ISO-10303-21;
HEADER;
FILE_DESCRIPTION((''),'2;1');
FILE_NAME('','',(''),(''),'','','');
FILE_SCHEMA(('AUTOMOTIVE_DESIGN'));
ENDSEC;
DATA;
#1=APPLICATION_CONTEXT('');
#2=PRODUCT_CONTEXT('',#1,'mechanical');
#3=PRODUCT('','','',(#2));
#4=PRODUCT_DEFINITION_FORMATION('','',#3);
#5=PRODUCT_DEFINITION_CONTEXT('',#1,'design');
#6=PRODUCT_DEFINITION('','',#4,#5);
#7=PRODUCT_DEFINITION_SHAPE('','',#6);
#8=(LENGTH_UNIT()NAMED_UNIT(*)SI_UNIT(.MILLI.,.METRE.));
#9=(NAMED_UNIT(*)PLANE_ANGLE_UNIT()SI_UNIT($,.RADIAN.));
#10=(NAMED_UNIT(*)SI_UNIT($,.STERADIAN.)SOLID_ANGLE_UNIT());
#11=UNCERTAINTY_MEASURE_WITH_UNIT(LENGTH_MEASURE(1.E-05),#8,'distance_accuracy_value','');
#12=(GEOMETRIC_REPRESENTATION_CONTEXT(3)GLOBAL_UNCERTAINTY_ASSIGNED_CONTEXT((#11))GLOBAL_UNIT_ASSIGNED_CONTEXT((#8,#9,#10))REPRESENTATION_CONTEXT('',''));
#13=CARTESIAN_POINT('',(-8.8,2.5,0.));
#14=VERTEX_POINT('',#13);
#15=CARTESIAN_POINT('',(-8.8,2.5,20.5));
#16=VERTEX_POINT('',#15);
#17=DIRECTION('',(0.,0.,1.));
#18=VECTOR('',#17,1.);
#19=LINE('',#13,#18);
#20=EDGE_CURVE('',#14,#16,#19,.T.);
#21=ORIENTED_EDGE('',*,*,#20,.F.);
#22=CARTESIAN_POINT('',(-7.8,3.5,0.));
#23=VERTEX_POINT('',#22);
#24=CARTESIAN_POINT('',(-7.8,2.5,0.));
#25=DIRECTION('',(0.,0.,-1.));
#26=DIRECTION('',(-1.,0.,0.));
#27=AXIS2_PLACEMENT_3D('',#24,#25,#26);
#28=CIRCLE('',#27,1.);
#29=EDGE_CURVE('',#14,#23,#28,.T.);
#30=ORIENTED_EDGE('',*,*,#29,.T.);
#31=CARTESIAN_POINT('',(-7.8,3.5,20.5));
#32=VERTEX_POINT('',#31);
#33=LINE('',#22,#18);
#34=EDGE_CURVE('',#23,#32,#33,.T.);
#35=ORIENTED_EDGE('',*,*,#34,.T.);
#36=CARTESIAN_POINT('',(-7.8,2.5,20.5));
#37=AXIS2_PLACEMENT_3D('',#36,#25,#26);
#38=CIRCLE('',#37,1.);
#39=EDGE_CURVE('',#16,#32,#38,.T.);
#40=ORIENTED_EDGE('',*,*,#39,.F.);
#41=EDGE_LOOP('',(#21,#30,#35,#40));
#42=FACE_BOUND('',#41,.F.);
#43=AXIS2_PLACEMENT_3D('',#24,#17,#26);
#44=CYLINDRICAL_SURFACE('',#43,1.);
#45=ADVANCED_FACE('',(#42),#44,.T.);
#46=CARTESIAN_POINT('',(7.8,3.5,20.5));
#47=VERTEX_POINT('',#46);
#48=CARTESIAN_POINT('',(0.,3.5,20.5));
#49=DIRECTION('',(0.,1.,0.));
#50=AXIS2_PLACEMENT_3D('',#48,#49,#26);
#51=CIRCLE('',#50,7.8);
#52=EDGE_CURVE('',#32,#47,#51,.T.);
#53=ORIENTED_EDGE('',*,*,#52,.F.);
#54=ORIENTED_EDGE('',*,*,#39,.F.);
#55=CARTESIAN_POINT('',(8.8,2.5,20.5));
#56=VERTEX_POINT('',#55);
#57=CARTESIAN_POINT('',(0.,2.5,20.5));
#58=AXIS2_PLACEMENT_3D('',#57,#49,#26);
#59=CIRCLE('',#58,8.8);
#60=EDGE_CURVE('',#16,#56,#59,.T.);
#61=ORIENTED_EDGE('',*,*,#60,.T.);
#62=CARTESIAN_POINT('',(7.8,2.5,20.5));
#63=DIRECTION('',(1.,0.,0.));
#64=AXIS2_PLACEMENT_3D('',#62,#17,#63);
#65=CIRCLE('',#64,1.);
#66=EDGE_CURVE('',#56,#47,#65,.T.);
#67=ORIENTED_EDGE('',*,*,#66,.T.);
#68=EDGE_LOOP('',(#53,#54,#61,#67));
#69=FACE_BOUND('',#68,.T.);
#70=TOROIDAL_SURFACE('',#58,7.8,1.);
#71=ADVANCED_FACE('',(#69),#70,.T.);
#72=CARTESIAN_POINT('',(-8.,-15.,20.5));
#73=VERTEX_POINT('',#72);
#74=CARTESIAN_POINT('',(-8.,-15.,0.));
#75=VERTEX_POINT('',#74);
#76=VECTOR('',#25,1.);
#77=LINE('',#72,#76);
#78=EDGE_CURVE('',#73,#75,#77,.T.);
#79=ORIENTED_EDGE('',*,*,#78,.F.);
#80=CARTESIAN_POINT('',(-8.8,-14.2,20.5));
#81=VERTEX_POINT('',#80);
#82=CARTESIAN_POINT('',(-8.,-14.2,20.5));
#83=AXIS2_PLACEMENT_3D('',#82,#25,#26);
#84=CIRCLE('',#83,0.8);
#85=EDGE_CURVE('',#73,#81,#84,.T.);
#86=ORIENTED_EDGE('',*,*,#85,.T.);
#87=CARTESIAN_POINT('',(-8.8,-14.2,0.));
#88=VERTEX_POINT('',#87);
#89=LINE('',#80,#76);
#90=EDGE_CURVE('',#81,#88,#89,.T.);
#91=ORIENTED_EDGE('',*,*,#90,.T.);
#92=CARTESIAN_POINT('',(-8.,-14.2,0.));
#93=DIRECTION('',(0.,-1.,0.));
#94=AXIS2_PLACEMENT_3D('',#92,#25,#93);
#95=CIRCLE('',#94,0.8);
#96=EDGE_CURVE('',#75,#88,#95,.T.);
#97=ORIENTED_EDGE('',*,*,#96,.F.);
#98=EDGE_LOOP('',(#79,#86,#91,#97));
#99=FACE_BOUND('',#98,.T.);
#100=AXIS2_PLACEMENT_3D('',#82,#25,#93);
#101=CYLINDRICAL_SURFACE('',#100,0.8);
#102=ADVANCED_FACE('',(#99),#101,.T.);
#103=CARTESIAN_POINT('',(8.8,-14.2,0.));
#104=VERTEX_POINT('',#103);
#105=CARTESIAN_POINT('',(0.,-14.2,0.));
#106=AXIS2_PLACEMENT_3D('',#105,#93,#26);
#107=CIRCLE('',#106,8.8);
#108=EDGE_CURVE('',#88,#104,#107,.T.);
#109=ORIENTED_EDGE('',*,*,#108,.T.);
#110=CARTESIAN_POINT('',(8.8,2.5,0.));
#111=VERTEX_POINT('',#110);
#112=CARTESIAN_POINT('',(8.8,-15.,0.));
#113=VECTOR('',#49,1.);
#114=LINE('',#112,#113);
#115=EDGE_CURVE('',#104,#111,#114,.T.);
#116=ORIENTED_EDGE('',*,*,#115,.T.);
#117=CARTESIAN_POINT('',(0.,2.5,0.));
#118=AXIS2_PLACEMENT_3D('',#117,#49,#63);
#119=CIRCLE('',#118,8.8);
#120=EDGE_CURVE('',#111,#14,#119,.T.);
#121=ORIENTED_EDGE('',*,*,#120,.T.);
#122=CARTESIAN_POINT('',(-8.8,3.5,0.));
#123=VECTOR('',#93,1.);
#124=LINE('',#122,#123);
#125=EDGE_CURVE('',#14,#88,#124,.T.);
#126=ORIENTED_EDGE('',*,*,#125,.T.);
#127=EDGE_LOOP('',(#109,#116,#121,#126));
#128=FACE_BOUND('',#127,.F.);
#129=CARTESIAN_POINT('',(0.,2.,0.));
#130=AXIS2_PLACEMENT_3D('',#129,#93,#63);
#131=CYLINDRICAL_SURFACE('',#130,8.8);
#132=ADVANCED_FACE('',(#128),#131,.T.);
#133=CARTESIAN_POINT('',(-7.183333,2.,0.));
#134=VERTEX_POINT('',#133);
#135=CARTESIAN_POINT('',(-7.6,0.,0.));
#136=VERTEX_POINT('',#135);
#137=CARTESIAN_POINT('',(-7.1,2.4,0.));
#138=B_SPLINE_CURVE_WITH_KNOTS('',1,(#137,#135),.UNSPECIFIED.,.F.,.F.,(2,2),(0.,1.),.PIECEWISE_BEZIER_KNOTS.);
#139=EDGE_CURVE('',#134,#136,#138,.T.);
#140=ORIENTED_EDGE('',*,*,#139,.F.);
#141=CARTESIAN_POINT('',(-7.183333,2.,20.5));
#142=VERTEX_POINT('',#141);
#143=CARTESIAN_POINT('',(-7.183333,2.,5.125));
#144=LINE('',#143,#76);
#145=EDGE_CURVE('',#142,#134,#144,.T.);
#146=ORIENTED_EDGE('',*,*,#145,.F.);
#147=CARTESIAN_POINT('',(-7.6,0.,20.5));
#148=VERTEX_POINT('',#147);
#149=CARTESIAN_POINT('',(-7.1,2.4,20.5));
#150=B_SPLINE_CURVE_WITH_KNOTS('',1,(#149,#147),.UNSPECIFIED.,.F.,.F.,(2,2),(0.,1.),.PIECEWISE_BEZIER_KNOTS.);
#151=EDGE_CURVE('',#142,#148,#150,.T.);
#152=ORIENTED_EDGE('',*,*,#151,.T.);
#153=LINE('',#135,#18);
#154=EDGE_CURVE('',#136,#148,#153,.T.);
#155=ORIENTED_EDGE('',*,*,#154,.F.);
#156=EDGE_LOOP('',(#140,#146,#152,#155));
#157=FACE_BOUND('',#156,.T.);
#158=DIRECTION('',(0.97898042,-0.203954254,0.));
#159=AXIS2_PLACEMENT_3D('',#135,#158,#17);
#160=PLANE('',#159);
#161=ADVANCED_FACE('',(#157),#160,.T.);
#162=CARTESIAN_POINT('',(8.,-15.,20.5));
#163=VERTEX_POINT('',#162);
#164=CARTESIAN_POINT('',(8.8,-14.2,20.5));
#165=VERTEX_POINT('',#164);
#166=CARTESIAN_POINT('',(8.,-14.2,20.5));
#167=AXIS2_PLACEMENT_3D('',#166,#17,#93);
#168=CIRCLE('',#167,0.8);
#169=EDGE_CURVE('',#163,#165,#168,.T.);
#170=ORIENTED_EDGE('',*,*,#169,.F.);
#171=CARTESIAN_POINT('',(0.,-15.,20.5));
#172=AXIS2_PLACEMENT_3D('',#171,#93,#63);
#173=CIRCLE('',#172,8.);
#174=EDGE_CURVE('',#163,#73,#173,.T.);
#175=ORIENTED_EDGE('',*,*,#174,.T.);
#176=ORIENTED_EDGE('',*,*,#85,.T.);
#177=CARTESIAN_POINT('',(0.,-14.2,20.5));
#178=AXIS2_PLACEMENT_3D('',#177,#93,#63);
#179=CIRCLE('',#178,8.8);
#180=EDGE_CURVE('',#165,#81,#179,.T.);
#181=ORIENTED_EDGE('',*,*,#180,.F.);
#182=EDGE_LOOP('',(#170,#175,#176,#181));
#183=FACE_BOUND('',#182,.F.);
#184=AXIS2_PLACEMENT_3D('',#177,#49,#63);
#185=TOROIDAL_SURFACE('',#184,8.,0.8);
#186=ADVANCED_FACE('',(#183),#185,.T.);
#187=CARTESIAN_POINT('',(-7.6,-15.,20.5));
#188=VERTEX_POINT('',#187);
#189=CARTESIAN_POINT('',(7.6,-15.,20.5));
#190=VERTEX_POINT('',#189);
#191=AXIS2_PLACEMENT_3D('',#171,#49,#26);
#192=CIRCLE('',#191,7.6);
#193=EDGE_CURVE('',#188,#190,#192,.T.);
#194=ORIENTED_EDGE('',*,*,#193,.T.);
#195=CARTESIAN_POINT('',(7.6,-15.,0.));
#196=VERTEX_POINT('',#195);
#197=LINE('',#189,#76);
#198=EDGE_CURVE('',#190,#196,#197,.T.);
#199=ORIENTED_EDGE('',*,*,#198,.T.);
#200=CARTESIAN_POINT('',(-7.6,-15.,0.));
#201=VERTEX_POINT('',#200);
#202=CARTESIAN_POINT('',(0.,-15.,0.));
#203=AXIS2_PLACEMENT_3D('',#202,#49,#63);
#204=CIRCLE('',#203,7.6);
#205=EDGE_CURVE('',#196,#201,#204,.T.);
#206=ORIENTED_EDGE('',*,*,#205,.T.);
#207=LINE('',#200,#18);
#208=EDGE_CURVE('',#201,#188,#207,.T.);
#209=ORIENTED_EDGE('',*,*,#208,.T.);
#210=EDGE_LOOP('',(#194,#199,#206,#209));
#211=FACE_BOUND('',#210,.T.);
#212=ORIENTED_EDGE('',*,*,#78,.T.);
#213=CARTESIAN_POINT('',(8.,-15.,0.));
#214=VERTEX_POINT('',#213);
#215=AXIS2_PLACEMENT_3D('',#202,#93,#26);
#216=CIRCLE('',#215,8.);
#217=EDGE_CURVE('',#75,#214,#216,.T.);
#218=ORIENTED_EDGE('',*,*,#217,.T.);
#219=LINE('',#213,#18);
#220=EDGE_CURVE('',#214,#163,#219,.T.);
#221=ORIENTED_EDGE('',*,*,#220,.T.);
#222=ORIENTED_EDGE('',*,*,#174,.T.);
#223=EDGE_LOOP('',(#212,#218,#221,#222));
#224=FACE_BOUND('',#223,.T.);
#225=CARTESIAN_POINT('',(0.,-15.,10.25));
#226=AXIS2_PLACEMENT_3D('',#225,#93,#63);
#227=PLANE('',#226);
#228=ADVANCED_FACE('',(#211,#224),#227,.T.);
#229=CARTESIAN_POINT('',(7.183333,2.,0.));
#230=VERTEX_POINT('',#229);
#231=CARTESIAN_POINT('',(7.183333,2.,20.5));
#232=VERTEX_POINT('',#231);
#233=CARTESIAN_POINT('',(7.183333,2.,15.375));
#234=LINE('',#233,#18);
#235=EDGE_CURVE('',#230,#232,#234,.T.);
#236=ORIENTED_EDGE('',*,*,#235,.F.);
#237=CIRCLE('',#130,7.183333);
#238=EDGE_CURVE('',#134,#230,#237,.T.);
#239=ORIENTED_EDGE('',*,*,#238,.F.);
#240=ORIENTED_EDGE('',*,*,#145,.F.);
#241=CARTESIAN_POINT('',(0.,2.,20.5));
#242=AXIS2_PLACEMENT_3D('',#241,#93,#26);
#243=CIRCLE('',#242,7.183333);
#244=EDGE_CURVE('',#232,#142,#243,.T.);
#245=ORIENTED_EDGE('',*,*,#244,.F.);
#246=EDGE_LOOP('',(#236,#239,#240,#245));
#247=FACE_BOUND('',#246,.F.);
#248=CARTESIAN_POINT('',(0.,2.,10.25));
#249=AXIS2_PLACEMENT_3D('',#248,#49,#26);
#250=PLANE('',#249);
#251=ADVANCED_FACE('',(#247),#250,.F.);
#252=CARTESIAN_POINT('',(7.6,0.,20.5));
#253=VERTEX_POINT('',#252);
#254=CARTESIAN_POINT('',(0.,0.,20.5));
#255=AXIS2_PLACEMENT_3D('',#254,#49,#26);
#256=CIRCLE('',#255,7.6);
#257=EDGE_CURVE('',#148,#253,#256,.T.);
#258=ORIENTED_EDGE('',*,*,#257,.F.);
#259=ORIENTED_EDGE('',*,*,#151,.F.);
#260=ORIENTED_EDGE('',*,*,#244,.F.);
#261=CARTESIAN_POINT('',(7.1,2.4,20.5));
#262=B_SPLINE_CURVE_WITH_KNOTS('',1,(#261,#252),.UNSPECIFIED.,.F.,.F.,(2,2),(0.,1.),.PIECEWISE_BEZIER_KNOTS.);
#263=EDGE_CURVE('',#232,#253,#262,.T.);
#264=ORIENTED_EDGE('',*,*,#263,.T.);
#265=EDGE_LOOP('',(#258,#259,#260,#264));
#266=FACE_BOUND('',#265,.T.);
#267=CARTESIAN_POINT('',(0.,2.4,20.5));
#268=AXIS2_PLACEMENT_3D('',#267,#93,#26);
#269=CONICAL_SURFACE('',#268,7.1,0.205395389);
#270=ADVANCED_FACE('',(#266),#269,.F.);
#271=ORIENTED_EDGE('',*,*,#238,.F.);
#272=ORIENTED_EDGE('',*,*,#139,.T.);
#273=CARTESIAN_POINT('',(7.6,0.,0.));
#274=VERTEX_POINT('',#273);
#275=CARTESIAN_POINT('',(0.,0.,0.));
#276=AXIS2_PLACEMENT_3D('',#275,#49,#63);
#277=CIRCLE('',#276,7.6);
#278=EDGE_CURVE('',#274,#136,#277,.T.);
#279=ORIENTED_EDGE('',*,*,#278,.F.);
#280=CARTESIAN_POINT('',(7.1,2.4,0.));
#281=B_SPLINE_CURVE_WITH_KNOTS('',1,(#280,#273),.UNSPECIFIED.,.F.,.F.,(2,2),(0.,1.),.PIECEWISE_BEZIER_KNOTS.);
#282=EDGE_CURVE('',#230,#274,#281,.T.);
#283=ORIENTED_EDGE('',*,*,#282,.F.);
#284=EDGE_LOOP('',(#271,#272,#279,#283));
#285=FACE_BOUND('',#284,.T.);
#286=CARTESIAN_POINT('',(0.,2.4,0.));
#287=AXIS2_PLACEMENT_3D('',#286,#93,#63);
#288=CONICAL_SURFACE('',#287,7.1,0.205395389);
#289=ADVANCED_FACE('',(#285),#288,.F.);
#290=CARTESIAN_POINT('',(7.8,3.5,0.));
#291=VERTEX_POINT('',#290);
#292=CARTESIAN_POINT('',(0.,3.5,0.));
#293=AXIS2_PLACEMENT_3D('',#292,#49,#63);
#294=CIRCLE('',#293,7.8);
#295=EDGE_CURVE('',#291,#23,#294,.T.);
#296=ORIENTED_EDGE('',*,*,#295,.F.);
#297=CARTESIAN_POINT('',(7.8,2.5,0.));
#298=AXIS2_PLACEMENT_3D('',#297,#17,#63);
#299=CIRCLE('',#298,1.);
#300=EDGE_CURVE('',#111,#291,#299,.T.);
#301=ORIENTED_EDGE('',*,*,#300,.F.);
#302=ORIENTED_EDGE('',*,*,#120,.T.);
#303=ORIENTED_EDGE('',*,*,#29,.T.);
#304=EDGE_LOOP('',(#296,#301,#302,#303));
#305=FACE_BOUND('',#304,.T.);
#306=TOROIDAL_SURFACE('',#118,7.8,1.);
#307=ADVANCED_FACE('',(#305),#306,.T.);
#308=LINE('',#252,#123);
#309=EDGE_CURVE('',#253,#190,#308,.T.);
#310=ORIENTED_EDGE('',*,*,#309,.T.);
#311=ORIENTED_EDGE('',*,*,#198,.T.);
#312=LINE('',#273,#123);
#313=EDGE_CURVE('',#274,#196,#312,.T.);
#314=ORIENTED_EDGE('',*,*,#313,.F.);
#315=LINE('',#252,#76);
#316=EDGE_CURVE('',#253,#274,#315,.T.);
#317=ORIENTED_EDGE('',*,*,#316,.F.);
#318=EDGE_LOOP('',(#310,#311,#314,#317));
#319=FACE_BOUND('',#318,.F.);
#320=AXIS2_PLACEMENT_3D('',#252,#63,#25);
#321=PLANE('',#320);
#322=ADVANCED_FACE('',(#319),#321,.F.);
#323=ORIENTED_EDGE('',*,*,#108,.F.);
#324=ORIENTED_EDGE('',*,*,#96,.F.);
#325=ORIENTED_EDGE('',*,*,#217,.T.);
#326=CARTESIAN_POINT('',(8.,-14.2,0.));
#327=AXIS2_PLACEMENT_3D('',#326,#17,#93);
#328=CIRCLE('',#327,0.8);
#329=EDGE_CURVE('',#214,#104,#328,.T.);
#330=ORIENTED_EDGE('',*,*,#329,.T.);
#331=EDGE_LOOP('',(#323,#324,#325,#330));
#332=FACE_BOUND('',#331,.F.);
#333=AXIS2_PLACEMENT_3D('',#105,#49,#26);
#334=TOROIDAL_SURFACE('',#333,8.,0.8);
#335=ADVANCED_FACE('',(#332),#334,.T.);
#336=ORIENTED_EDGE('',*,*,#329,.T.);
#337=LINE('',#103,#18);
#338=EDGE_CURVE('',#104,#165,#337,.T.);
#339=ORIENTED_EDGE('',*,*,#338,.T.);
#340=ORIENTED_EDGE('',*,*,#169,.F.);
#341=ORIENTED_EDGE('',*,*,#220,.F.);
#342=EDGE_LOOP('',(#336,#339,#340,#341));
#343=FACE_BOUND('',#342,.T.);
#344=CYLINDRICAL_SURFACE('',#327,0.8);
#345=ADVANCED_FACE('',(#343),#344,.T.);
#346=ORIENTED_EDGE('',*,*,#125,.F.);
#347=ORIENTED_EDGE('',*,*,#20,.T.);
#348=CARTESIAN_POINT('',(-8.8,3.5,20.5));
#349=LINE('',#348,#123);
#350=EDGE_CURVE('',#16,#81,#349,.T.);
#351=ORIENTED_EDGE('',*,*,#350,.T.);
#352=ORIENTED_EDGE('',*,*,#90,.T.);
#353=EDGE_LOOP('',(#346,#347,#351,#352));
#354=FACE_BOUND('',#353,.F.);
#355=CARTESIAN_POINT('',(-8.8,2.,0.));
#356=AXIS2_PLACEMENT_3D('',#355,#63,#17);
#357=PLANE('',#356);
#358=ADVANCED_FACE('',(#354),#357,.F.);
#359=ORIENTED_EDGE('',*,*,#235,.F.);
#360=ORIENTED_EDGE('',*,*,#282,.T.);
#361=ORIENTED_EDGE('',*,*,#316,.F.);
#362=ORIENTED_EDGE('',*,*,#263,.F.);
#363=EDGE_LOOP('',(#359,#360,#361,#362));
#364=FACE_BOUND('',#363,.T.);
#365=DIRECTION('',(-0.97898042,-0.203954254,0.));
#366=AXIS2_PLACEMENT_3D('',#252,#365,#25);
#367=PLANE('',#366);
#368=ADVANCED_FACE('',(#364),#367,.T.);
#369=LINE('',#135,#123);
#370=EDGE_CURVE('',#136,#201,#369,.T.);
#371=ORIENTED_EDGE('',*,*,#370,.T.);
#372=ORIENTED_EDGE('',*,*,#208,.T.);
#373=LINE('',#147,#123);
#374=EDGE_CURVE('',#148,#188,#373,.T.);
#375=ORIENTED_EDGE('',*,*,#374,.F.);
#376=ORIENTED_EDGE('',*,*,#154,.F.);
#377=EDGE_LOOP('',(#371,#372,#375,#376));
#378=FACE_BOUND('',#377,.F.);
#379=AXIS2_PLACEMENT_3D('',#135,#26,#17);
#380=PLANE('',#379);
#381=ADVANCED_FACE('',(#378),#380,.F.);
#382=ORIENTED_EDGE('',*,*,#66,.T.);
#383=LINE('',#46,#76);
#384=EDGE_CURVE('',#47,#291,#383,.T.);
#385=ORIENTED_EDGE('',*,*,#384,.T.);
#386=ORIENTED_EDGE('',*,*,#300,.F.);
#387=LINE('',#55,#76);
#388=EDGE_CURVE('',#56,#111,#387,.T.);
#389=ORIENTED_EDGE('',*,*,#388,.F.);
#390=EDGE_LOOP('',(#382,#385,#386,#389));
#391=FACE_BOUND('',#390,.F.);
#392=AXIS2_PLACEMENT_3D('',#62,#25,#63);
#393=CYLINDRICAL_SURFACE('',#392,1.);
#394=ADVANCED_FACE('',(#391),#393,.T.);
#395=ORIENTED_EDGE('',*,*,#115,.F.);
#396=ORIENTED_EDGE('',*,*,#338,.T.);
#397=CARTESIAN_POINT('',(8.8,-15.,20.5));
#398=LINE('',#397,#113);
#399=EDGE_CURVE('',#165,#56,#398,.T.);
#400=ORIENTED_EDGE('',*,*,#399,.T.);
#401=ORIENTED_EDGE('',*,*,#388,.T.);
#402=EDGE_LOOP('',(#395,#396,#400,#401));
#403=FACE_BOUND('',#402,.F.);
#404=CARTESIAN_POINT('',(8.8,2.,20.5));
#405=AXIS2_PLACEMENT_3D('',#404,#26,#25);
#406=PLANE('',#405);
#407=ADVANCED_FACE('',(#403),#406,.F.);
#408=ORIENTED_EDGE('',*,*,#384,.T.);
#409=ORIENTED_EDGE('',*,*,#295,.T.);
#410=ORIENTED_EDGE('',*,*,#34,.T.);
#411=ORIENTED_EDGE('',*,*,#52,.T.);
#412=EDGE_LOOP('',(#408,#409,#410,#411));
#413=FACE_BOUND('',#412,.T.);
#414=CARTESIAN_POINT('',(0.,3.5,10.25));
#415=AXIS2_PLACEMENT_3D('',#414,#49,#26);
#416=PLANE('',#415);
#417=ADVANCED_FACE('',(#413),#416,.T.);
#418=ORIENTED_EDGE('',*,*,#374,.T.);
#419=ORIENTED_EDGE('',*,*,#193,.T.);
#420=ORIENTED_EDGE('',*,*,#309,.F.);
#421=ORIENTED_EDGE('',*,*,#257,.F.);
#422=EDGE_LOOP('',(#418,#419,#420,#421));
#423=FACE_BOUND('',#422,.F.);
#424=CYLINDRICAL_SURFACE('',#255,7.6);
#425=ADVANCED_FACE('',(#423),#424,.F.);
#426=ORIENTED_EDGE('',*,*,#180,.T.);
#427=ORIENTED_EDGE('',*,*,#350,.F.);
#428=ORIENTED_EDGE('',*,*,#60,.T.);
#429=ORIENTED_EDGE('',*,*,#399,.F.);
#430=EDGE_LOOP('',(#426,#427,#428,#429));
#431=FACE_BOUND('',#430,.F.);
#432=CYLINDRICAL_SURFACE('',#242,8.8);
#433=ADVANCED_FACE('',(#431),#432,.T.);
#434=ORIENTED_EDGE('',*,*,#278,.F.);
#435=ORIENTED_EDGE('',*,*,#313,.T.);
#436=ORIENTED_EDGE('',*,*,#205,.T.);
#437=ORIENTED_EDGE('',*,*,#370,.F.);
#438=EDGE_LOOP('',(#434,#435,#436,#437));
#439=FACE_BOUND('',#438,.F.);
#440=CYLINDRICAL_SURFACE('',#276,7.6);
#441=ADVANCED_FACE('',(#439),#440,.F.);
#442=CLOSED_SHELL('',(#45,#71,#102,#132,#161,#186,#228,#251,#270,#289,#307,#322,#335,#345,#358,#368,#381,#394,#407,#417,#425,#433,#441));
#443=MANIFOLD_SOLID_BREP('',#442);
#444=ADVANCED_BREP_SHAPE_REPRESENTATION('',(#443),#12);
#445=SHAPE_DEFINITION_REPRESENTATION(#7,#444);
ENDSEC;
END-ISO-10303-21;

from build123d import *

# Parameters (mm, degrees)
F1_DEPTH  = 15
F5_DEPTH  = 2
F10_DEPTH = 1.5
F11_R     = 1
F12_R     = 0.8


with BuildPart() as f1:
    # F0 (on Front) → F1 (new body)
    with BuildSketch(Plane.XZ):
        with BuildLine():
            Line((8.8, 0), (8.8, 20.5))
            ThreePointArc((8.8, 20.5), (0, 29.3), (-8.8, 20.5))
            Line((-8.8, 20.5), (-8.8, 0))
            ThreePointArc((-8.8, 0), (0, -8.8), (8.8, 0))
        make_face()
        with BuildLine():
            ThreePointArc((-7.6, 20.5), (0, 28.1), (7.6, 20.5))
            Line((7.6, 20.5), (7.6, 0))
            ThreePointArc((7.6, 0), (0, -7.6), (-7.6, 0))
            Line((-7.6, 0), (-7.6, 20.5))
        make_face(mode=Mode.SUBTRACT)
    extrude(amount=F1_DEPTH)

    # F4 (on face) → F5 (join)
    with BuildSketch(Plane(origin=(0, 0, 0), x_dir=(-1, 0, 0), z_dir=(0, 1, 0))):
        with BuildLine():
            ThreePointArc((8.8, 20.5), (0, 29.3), (-8.8, 20.5))
            Line((-8.8, 20.5), (-8.8, 0))
            ThreePointArc((-8.8, 0), (0, -8.8), (8.8, 0))
            Line((8.8, 0), (8.8, 20.5))
        make_face()
    extrude(amount=F5_DEPTH)

    # F3 (on offset) → F8 section 0
    with BuildSketch(Plane(origin=(0, 2.4, 0), x_dir=(-1, 0, 0), z_dir=(0, 1, 0))):
        with BuildLine():
            ThreePointArc((7.1, 20.5), (0, 27.6), (-7.1, 20.5))
            Line((-7.1, 20.5), (-7.1, 0))
            ThreePointArc((-7.1, 0), (0, -7.1), (7.1, 0))
            Line((7.1, 0), (7.1, 20.5))
        make_face()
    # F7 (on offset) → F8 section 1
    with BuildSketch(Plane(origin=(0, 0, 0), x_dir=(-1, 0, 0), z_dir=(0, 1, 0))):
        with BuildLine():
            Line((7.6, 0), (7.6, 20.5))
            ThreePointArc((7.6, 20.5), (0, 28.1), (-7.6, 20.5))
            Line((-7.6, 20.5), (-7.6, 0))
            ThreePointArc((-7.6, 0), (0, -7.6), (7.6, 0))
        make_face()
    loft(mode=Mode.SUBTRACT)

    # F9 (on face) → F10 (join)
    with BuildSketch(Plane(origin=(0, 2, 0), x_dir=(-1, 0, 0), z_dir=(0, 1, 0))):
        with BuildLine():
            ThreePointArc((8.8, 20.5), (0, 29.3), (-8.8, 20.5))
            Line((-8.8, 20.5), (-8.8, 0))
            ThreePointArc((-8.8, 0), (0, -8.8), (8.8, 0))
            Line((8.8, 0), (8.8, 20.5))
        make_face()
    extrude(amount=F10_DEPTH)

    # F11
    f11_edges = [f1.edges().sort_by_distance(p)[0] for p in [
        (0, 3.5, -8.8),
    ]]
    fillet(f11_edges, radius=F11_R)

    # F12
    f12_edges = [f1.edges().sort_by_distance(p)[0] for p in [
        (8.8, -15, 10.25),
    ]]
    fillet(f12_edges, radius=F12_R)


solid = f1.part
